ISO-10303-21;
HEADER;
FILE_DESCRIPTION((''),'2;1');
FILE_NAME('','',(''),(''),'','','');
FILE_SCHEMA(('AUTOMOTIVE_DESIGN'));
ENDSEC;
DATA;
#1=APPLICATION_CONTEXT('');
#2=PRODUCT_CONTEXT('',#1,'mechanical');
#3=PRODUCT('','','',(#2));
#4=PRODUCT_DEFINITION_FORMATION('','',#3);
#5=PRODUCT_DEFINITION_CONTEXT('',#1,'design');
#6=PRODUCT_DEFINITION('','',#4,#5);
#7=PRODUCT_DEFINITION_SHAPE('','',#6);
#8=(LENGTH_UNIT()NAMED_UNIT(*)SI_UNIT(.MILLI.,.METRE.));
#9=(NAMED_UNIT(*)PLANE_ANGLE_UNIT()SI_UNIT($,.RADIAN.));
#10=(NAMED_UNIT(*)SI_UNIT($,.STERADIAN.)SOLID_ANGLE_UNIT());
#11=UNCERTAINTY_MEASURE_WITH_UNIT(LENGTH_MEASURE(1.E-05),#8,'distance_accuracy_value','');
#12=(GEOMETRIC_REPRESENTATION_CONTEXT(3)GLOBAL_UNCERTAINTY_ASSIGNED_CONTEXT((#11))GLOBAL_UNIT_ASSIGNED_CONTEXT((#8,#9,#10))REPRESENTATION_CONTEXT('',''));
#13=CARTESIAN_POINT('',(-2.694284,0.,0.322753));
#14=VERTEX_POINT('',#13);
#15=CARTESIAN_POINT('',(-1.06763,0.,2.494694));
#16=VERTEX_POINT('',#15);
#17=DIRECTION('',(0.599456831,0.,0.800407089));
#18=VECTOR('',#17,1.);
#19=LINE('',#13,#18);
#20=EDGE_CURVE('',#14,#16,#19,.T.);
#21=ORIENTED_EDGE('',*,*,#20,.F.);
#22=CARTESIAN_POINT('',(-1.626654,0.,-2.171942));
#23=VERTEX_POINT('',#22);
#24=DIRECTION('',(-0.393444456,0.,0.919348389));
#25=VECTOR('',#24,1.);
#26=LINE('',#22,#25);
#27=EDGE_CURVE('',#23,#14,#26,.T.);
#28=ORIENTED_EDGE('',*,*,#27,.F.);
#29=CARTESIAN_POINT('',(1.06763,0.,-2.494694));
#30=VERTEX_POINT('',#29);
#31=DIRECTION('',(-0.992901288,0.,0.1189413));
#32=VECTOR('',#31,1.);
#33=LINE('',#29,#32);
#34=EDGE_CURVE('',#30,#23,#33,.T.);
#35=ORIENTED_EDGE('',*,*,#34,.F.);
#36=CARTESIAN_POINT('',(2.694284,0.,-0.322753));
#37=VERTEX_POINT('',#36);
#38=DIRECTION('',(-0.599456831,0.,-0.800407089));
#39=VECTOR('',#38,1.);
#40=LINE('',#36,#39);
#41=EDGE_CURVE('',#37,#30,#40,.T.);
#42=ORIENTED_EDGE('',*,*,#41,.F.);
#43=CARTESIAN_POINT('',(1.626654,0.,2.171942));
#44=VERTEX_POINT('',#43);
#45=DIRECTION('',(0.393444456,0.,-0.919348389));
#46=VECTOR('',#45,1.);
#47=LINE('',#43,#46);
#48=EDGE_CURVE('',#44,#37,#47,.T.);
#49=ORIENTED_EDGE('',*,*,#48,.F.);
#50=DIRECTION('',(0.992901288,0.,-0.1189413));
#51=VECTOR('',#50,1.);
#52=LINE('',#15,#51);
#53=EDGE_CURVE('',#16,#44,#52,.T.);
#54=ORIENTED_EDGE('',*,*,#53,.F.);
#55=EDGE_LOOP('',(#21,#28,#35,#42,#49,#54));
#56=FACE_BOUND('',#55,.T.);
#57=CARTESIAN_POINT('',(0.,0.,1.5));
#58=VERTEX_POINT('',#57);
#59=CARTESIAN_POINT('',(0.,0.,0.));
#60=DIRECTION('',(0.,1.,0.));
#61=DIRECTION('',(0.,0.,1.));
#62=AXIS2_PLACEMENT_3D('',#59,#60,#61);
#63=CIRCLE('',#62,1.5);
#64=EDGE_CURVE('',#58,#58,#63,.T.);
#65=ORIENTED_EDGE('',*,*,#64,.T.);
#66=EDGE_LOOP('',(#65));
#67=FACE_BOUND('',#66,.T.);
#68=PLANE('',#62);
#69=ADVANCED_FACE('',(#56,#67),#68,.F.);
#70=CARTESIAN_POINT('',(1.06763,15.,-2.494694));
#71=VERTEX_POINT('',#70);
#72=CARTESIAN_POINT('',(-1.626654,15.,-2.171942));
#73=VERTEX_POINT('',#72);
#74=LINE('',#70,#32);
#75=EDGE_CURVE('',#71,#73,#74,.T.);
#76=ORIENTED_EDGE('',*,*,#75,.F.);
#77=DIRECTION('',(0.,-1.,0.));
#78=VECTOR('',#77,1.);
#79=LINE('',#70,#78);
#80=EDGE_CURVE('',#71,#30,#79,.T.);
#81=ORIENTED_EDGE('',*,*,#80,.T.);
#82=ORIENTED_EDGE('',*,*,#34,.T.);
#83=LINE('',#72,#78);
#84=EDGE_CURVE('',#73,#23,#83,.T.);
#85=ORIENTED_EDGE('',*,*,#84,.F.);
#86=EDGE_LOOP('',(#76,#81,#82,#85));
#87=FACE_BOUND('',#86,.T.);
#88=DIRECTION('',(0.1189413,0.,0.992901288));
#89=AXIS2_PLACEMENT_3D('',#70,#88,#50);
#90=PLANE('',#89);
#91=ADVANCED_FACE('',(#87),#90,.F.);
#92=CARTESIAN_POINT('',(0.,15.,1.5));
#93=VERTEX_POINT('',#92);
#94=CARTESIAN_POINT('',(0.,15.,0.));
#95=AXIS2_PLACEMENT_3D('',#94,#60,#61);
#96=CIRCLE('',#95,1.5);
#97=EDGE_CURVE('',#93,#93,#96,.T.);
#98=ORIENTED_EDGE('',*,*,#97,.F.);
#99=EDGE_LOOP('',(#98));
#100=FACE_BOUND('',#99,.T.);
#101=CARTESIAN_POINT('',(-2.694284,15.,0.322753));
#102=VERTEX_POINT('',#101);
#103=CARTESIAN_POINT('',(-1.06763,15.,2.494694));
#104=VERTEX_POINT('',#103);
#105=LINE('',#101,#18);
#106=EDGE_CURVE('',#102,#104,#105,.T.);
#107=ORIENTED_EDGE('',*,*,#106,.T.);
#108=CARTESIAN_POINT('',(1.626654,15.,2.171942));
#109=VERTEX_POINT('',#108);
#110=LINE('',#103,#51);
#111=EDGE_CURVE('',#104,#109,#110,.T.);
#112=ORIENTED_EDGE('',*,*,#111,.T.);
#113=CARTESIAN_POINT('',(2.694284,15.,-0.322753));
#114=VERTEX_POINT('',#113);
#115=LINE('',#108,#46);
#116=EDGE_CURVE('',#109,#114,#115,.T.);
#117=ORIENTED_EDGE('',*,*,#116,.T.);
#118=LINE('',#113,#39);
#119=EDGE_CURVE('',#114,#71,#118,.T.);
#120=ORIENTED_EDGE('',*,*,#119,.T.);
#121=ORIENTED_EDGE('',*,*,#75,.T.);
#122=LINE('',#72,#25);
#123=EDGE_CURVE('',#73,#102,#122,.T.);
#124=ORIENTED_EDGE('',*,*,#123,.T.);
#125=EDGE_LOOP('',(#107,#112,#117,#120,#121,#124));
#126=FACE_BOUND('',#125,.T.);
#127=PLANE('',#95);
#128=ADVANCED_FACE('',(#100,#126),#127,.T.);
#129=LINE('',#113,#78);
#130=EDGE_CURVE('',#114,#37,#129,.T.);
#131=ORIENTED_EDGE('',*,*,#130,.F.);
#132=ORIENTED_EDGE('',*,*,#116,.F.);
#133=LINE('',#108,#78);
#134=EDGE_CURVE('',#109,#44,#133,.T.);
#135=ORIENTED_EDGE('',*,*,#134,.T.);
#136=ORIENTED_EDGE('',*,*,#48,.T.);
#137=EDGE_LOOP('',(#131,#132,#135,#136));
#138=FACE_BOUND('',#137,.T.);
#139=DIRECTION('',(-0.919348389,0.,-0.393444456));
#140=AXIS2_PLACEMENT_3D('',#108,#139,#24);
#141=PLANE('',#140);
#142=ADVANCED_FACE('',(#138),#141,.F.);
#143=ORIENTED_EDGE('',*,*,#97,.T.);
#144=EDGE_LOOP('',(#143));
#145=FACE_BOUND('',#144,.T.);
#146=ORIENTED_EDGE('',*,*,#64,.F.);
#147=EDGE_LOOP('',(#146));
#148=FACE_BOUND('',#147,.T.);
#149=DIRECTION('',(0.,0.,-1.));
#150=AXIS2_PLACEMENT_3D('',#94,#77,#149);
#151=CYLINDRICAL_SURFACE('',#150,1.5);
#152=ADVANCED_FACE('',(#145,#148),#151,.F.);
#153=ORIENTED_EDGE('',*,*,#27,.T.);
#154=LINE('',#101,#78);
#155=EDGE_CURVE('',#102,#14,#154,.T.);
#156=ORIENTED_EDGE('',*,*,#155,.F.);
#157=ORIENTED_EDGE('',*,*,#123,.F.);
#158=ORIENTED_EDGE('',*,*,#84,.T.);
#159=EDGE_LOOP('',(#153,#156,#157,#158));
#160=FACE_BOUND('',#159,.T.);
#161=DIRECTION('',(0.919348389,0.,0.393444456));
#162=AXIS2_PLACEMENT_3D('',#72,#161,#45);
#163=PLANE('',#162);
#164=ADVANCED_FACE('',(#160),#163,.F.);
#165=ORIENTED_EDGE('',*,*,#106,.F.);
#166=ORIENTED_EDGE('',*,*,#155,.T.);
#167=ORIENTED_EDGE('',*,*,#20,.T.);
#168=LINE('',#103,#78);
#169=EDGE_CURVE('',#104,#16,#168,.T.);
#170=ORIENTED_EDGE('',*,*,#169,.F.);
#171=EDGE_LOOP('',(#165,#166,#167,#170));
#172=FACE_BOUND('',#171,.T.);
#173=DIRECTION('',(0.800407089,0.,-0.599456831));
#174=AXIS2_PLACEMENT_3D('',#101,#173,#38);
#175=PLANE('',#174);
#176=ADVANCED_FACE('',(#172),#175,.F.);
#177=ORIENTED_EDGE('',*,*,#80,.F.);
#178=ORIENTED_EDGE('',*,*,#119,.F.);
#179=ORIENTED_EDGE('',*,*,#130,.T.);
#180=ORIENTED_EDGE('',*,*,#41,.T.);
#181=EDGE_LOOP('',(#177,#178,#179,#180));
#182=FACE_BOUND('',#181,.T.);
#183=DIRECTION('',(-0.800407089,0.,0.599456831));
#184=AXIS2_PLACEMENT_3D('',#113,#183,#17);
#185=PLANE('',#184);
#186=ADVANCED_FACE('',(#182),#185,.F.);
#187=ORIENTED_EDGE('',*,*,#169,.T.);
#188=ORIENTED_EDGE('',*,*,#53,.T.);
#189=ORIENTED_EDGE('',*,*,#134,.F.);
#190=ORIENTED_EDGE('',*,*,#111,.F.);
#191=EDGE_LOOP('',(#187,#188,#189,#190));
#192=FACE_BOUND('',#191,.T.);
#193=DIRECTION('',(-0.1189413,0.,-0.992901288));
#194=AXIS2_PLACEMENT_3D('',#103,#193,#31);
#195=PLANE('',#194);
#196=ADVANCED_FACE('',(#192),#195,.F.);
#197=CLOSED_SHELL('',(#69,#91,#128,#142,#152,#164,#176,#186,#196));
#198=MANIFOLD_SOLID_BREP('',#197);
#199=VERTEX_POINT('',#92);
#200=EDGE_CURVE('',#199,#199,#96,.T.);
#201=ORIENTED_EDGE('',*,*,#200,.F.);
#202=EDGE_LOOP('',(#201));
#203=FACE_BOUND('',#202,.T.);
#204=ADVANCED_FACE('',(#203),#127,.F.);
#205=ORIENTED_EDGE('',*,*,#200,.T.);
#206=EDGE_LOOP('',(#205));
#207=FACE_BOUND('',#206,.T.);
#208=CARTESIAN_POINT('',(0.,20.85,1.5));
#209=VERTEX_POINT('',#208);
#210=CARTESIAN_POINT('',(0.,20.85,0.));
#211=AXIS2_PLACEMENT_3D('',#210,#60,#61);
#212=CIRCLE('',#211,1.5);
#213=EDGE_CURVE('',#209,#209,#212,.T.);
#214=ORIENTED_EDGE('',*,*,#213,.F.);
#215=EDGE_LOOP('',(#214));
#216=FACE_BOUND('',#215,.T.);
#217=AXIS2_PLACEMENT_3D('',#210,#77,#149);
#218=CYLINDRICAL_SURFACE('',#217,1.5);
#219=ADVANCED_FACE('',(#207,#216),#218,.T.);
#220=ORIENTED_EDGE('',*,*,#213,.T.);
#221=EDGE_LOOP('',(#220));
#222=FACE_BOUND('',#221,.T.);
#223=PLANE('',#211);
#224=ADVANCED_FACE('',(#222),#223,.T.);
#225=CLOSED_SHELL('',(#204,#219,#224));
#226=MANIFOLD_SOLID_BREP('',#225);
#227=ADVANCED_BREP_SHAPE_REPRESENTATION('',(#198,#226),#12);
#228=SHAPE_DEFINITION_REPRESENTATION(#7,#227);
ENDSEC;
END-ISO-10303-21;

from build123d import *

# Parameters (mm, degrees)
SKETCH1_R           = 1.5
BOSS_EXTRUDE1_DEPTH = 15
SKETCH2_R           = 1.5
BOSS_EXTRUDE2_DEPTH = 5.85


with BuildPart() as part:
    # Sketch1 → Boss-Extrude1 (new body)
    with BuildSketch(Plane(origin=(0, 0, 0), x_dir=(1, 0, 0), z_dir=(0, 1, 0))):
        Polygon((-2.694283581, -0.322752721), (-1.067629735, -2.494694386), (1.626653846, -2.171941666), (2.694283581, 0.322752721), (1.067629735, 2.494694386), (-1.626653846, 2.171941666), align=None)
        with Locations(Location((0, 0, 0), (0, 0, 270))):
            Circle(SKETCH1_R, mode=Mode.SUBTRACT)
    extrude(amount=BOSS_EXTRUDE1_DEPTH)


with BuildPart() as body_2:
    # Sketch2 → Boss-Extrude2 (new body)
    with BuildSketch(Plane(origin=(0, 15, 0), x_dir=(1, 0, 0), z_dir=(0, 1, 0))):
        with Locations(Location((0, 0, 0), (0, 0, 270))):
            Circle(SKETCH2_R)
    extrude(amount=BOSS_EXTRUDE2_DEPTH)


solid = Compound([part.part, body_2.part])
